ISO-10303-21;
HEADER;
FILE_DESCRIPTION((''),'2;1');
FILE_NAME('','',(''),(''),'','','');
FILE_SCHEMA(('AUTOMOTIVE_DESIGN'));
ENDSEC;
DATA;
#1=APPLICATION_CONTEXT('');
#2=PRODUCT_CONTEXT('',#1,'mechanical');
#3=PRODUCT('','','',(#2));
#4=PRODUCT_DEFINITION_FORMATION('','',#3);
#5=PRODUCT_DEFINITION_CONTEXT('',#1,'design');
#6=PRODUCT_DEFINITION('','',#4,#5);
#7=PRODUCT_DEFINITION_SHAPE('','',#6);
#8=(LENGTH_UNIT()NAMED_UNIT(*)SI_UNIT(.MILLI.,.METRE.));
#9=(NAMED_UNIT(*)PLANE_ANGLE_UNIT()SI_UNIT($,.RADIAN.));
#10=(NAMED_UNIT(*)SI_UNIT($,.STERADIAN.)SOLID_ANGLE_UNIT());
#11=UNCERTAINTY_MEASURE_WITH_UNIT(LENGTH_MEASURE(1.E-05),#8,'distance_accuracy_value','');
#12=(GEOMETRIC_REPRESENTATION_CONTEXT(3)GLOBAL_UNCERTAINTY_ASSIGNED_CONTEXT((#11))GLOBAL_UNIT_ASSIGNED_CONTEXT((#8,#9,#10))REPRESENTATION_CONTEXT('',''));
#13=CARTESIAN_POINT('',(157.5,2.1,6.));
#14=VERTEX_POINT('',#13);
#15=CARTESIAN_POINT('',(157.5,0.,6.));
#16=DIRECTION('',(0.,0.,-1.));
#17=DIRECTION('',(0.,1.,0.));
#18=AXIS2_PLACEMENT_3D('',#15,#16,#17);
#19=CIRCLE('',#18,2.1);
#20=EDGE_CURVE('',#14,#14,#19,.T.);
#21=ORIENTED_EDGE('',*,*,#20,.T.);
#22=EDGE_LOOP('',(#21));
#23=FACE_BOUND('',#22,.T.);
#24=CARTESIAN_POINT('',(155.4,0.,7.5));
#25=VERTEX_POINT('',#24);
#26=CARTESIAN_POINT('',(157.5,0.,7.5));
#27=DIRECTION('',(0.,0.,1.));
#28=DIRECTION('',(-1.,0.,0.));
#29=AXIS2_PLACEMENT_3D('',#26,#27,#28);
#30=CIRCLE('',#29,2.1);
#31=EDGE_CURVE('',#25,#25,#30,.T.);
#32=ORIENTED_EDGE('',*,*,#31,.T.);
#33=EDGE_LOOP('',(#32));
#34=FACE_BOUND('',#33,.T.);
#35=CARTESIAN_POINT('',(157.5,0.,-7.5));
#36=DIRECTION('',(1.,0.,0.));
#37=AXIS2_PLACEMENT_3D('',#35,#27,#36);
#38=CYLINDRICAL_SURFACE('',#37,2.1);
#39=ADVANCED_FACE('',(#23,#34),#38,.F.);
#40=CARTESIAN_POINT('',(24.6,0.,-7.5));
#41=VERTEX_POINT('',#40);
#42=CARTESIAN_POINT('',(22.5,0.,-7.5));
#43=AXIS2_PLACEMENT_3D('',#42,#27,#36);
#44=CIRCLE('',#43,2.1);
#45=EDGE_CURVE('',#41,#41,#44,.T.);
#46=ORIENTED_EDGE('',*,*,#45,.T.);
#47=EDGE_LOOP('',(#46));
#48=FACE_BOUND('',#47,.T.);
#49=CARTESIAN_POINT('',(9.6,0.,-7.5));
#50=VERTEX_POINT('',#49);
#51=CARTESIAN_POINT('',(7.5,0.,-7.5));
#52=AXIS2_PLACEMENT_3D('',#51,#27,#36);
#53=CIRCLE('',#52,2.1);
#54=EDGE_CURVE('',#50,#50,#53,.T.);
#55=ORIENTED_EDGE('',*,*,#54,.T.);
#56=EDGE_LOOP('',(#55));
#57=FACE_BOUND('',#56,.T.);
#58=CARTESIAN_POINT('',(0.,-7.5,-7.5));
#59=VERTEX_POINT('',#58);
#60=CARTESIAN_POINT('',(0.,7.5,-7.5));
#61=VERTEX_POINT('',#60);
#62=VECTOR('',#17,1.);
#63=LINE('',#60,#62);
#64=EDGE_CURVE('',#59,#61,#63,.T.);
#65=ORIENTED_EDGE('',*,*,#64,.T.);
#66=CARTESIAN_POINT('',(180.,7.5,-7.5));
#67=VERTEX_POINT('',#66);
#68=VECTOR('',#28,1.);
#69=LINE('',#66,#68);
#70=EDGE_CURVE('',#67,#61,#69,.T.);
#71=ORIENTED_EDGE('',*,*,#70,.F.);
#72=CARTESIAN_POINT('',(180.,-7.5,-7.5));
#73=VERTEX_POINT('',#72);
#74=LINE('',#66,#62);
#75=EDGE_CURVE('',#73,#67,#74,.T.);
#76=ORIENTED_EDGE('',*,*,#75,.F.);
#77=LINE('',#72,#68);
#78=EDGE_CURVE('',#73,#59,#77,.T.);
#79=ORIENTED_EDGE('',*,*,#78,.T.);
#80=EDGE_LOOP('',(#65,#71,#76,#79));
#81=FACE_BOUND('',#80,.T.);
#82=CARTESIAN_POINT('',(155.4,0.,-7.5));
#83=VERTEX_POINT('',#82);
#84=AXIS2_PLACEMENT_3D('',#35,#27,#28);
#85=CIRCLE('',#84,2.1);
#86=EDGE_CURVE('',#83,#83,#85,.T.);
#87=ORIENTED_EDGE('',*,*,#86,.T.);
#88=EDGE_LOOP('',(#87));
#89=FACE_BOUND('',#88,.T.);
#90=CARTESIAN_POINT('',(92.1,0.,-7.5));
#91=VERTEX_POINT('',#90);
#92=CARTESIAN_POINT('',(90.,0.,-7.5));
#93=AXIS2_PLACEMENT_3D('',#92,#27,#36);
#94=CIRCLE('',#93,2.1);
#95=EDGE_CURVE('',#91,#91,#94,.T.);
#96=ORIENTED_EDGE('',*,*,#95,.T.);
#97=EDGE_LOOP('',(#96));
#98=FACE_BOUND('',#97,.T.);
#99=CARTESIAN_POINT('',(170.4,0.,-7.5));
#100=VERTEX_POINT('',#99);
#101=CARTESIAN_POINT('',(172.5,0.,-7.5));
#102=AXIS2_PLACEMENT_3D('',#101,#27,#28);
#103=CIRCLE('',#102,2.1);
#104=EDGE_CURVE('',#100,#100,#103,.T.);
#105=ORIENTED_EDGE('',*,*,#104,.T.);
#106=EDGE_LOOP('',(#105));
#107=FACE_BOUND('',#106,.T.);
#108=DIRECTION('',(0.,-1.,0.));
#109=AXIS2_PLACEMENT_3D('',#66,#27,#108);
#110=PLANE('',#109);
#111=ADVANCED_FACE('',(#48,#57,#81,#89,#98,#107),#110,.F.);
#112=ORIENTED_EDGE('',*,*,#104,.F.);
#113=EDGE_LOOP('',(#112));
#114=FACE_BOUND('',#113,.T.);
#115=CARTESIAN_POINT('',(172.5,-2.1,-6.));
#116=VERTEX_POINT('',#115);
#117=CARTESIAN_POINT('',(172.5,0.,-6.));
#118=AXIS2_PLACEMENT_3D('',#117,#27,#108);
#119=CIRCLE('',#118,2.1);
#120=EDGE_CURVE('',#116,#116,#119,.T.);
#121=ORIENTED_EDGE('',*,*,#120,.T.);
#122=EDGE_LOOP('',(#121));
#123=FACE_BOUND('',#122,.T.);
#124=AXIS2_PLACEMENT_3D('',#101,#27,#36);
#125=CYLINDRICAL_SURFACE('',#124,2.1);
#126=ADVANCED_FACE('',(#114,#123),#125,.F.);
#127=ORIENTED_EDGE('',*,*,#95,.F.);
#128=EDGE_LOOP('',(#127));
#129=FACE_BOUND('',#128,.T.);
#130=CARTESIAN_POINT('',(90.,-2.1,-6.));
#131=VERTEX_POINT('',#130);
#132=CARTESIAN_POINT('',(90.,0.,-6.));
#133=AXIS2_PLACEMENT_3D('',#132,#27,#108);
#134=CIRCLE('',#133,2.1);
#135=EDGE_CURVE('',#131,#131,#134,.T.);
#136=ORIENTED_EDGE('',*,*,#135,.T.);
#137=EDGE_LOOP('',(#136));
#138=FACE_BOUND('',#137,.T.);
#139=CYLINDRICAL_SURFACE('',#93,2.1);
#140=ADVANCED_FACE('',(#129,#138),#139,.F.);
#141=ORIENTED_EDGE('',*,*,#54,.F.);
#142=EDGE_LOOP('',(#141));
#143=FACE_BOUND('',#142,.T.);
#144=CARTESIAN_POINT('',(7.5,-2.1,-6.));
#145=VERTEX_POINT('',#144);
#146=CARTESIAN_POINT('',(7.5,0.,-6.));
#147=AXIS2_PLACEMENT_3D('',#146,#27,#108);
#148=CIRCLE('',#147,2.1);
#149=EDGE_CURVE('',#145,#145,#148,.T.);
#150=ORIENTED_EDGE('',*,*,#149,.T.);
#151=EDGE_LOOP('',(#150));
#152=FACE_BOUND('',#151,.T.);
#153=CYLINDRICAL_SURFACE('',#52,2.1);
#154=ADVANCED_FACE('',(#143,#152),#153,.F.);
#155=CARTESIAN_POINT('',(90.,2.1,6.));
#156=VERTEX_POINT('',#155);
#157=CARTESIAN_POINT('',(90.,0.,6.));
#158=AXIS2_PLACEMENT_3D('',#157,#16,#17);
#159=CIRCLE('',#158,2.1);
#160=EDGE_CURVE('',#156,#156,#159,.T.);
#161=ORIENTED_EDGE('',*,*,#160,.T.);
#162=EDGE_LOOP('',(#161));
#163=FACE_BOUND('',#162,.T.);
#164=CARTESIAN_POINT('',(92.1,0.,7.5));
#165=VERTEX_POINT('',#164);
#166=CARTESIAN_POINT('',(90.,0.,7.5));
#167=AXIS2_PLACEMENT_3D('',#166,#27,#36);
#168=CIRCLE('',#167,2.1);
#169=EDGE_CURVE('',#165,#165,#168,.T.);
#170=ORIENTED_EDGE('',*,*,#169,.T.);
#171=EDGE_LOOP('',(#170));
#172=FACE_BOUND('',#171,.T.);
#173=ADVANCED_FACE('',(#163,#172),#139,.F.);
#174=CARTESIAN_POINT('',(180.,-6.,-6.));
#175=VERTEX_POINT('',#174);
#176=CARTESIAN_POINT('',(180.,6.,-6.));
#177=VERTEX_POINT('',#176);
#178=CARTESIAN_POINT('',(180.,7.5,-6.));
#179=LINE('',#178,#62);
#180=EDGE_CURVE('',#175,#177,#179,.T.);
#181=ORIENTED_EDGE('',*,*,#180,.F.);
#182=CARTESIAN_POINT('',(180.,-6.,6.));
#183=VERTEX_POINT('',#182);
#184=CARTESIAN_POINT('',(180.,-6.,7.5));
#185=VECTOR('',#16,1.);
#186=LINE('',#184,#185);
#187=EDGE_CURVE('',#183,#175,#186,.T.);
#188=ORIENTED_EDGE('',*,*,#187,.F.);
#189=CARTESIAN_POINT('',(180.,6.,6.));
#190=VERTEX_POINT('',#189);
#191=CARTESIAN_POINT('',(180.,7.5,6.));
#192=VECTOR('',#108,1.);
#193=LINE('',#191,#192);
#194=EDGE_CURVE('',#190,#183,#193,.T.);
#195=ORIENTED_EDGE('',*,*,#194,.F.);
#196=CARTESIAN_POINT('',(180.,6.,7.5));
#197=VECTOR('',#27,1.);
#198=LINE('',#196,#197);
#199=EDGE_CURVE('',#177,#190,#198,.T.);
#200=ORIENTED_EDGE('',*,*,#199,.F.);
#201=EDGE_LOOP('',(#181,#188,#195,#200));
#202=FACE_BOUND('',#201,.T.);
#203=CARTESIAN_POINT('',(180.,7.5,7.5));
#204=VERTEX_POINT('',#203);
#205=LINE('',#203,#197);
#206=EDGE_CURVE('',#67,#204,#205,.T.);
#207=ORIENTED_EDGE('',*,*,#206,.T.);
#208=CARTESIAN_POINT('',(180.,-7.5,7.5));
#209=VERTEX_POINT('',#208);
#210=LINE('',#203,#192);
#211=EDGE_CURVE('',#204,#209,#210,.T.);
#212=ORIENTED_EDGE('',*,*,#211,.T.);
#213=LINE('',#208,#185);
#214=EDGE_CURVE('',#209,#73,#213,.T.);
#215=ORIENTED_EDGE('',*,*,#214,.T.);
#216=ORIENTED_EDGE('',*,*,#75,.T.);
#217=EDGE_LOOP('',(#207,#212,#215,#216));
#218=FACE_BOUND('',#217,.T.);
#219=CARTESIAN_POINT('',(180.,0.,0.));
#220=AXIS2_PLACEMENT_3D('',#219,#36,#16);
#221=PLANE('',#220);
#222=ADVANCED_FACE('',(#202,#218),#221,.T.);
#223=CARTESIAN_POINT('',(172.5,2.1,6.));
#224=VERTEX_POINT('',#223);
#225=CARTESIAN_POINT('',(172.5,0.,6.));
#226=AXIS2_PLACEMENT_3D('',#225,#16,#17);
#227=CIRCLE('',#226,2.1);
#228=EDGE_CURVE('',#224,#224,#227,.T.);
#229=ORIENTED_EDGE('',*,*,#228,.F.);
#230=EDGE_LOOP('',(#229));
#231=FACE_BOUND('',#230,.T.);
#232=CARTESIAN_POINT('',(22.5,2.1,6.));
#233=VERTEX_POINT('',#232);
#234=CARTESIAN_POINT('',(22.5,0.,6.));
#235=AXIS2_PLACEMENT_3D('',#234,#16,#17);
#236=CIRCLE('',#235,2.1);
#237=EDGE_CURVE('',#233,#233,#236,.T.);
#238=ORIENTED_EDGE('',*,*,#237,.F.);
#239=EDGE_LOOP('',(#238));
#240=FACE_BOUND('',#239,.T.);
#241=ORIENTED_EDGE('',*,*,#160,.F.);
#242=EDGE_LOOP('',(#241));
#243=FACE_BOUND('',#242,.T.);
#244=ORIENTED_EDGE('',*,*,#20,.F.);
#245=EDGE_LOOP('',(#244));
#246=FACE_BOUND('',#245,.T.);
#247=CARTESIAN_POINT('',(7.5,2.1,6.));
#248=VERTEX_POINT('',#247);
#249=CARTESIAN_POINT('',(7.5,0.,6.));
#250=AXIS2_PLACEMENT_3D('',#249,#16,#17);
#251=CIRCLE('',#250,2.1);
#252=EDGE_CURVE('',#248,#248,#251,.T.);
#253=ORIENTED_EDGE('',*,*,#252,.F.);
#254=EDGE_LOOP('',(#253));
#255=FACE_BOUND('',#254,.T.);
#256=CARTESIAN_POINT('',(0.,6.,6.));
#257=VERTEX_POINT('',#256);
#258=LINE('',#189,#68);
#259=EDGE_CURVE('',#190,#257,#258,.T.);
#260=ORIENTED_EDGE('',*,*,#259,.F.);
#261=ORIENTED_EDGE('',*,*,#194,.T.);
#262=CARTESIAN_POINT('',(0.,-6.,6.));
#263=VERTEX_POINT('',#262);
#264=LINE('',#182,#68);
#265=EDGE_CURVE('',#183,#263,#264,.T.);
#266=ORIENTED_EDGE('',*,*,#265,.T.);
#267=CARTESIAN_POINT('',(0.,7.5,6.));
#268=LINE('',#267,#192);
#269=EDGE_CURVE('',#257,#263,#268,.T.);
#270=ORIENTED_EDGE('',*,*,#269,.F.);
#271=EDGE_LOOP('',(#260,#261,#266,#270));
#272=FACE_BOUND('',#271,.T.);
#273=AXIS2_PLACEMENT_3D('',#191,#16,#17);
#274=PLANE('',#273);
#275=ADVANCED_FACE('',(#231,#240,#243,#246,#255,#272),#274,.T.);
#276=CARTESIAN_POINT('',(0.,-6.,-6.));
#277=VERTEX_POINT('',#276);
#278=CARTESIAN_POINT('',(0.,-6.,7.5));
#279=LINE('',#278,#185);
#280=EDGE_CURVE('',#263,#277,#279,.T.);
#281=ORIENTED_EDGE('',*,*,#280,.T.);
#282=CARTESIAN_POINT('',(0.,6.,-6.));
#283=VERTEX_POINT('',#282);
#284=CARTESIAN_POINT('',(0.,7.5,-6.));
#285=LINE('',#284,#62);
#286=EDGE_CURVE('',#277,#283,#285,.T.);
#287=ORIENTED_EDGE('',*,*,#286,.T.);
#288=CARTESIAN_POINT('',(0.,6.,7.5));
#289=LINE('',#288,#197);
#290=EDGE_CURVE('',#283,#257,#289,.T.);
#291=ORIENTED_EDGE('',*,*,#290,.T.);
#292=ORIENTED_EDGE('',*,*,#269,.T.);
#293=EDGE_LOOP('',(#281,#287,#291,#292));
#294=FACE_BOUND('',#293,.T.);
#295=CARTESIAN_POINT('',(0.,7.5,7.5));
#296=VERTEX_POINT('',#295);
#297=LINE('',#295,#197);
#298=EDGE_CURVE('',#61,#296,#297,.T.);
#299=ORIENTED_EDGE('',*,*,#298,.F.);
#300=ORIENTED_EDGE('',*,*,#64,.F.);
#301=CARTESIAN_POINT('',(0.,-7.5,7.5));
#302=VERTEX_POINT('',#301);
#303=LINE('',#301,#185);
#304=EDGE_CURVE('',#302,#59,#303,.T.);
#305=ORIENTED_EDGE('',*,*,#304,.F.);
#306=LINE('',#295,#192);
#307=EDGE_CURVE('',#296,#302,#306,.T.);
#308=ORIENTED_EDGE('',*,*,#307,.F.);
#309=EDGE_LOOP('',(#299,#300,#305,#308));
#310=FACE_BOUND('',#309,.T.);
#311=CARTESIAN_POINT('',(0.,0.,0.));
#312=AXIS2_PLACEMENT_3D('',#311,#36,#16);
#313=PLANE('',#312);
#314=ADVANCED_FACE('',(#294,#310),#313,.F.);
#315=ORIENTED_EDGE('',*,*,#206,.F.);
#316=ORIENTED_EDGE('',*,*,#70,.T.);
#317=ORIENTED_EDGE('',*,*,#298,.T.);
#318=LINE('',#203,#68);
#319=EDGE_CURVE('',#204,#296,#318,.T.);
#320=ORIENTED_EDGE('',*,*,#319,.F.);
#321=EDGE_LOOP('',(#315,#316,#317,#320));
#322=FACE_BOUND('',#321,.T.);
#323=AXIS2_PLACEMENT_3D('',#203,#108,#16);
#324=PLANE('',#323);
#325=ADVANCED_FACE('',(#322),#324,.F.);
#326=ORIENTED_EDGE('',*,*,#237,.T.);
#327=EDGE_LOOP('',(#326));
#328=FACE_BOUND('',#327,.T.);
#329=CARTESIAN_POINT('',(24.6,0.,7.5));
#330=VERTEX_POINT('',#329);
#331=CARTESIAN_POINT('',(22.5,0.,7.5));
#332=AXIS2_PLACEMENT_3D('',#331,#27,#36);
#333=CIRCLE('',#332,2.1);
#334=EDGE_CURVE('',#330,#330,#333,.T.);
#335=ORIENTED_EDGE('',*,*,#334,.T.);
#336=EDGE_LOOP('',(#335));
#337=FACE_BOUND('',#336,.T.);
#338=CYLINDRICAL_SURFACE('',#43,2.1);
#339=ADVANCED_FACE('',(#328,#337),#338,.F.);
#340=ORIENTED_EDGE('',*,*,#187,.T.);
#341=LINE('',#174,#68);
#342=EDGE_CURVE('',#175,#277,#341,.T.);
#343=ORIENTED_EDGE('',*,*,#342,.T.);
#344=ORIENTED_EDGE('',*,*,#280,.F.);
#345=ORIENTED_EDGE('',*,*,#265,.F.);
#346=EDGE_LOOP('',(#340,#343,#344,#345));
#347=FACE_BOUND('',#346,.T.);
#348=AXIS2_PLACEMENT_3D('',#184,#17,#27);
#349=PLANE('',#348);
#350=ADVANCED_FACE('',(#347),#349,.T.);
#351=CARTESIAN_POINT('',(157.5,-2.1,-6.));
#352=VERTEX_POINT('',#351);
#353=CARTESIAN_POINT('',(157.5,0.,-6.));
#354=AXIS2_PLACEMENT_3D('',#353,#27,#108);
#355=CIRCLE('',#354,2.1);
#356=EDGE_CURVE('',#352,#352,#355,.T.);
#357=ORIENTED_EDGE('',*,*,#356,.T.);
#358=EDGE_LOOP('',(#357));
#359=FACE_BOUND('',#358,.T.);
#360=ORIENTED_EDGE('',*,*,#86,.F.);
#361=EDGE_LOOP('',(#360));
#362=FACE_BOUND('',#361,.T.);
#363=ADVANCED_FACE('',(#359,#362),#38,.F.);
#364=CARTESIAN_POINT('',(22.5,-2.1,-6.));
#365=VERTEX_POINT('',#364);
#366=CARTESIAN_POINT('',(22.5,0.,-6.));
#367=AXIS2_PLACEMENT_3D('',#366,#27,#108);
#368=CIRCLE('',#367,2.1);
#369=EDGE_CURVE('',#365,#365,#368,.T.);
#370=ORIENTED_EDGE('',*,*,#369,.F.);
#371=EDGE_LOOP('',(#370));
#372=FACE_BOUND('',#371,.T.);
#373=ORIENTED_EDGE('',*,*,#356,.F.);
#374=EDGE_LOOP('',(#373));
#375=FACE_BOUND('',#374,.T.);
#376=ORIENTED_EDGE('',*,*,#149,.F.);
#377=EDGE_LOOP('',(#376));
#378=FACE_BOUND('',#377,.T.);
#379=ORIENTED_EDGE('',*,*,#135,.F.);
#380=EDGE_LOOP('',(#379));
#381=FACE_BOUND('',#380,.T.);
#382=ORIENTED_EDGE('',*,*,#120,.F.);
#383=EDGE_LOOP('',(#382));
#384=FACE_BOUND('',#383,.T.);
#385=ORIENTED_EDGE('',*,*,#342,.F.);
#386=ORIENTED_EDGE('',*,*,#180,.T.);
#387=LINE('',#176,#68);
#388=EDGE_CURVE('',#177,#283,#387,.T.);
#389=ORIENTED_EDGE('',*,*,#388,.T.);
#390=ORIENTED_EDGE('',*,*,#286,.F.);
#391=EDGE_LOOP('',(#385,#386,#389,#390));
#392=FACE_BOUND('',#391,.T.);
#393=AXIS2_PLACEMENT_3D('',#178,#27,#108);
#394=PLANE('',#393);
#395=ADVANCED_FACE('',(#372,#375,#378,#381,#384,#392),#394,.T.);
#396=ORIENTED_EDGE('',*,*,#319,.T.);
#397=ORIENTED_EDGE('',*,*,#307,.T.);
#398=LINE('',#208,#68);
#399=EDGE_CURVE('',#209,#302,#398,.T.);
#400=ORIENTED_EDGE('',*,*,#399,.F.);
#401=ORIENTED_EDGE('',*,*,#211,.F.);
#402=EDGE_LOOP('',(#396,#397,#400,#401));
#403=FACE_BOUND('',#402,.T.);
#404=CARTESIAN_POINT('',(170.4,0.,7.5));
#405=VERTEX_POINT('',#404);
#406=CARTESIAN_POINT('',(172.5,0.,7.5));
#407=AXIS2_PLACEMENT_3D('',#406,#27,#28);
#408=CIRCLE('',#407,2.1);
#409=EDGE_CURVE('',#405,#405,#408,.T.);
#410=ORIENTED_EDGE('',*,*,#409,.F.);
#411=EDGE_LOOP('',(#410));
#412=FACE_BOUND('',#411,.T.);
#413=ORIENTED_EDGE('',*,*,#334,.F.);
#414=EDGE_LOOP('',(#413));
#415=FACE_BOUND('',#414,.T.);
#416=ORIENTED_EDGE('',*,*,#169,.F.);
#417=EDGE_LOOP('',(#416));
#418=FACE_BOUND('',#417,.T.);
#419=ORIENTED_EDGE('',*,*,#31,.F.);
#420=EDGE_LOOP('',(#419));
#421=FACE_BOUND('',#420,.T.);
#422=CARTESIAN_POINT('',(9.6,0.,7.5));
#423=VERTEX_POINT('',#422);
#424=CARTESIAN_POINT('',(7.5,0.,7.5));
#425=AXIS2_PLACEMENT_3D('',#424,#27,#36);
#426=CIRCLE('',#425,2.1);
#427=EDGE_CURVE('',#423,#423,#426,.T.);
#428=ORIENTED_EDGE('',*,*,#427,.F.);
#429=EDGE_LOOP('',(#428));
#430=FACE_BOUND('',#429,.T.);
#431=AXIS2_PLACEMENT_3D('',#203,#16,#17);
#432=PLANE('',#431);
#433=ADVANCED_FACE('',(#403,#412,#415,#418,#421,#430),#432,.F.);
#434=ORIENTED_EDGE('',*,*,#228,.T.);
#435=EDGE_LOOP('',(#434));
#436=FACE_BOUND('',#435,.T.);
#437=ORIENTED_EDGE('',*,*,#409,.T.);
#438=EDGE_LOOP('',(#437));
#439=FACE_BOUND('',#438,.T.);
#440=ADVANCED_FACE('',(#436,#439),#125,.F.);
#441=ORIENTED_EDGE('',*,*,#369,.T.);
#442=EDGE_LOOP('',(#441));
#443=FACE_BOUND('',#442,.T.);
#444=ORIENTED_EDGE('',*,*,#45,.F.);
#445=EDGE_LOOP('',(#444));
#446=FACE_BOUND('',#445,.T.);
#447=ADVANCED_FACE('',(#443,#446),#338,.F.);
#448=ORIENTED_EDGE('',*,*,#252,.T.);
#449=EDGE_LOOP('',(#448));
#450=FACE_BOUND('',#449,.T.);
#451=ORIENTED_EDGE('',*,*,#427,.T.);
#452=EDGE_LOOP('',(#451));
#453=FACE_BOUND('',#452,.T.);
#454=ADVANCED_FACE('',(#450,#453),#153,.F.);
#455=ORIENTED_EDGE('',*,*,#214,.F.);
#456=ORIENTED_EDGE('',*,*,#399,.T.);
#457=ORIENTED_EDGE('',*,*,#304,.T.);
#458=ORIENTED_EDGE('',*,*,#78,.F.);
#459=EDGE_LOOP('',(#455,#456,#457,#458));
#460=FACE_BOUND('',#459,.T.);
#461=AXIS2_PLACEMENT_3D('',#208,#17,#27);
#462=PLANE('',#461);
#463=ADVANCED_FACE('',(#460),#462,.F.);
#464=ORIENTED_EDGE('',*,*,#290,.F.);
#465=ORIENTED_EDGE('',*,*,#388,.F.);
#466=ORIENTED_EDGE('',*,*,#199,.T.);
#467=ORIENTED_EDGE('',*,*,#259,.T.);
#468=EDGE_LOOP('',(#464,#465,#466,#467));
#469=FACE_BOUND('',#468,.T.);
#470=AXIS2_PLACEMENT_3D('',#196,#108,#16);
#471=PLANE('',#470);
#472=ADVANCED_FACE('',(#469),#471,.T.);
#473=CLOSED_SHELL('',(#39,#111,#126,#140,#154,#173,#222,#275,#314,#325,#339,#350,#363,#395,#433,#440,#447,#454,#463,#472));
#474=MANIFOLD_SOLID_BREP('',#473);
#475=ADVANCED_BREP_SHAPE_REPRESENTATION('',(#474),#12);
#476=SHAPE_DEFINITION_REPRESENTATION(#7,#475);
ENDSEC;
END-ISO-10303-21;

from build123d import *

# Parameters (mm, degrees)
SKETCH_1_W          = 15
SKETCH_1_H          = 15
SKETCH_1_W_2        = 12
SKETCH_1_H_2        = 12
EXTRUDE_1_DEPTH     = 180
SKETCH_2_R          = 2.1
CUT_EXTRUDE_1_DEPTH = 181.779561898


with BuildPart() as part:
    # ｽｹｯﾁ1 → 押し出し-薄板1 (new body)
    with BuildSketch(Plane(origin=(0, 0, 0), x_dir=(0, 0, -1), z_dir=(1, 0, 0))):
        Rectangle(SKETCH_1_W, SKETCH_1_H)
        Rectangle(SKETCH_1_W_2, SKETCH_1_H_2, mode=Mode.SUBTRACT)
    extrude(amount=EXTRUDE_1_DEPTH)

    # ｽｹｯﾁ2 → ｶｯﾄ - 押し出し1 (cut, through all)
    with BuildSketch(Plane.XY.offset(7.5)):
        with Locations((22.5, 0)):
            Circle(SKETCH_2_R)
        with Locations((7.5, 0)):
            Circle(SKETCH_2_R)
        with Locations(Location((172.5, 0, 0), (0, 0, 90))):
            Circle(SKETCH_2_R)
        with Locations(Location((157.5, 0, 0), (0, 0, 90))):
            Circle(SKETCH_2_R)
        with Locations((90, 0)):
            Circle(SKETCH_2_R)
    extrude(amount=-CUT_EXTRUDE_1_DEPTH, mode=Mode.SUBTRACT)


solid = part.part
